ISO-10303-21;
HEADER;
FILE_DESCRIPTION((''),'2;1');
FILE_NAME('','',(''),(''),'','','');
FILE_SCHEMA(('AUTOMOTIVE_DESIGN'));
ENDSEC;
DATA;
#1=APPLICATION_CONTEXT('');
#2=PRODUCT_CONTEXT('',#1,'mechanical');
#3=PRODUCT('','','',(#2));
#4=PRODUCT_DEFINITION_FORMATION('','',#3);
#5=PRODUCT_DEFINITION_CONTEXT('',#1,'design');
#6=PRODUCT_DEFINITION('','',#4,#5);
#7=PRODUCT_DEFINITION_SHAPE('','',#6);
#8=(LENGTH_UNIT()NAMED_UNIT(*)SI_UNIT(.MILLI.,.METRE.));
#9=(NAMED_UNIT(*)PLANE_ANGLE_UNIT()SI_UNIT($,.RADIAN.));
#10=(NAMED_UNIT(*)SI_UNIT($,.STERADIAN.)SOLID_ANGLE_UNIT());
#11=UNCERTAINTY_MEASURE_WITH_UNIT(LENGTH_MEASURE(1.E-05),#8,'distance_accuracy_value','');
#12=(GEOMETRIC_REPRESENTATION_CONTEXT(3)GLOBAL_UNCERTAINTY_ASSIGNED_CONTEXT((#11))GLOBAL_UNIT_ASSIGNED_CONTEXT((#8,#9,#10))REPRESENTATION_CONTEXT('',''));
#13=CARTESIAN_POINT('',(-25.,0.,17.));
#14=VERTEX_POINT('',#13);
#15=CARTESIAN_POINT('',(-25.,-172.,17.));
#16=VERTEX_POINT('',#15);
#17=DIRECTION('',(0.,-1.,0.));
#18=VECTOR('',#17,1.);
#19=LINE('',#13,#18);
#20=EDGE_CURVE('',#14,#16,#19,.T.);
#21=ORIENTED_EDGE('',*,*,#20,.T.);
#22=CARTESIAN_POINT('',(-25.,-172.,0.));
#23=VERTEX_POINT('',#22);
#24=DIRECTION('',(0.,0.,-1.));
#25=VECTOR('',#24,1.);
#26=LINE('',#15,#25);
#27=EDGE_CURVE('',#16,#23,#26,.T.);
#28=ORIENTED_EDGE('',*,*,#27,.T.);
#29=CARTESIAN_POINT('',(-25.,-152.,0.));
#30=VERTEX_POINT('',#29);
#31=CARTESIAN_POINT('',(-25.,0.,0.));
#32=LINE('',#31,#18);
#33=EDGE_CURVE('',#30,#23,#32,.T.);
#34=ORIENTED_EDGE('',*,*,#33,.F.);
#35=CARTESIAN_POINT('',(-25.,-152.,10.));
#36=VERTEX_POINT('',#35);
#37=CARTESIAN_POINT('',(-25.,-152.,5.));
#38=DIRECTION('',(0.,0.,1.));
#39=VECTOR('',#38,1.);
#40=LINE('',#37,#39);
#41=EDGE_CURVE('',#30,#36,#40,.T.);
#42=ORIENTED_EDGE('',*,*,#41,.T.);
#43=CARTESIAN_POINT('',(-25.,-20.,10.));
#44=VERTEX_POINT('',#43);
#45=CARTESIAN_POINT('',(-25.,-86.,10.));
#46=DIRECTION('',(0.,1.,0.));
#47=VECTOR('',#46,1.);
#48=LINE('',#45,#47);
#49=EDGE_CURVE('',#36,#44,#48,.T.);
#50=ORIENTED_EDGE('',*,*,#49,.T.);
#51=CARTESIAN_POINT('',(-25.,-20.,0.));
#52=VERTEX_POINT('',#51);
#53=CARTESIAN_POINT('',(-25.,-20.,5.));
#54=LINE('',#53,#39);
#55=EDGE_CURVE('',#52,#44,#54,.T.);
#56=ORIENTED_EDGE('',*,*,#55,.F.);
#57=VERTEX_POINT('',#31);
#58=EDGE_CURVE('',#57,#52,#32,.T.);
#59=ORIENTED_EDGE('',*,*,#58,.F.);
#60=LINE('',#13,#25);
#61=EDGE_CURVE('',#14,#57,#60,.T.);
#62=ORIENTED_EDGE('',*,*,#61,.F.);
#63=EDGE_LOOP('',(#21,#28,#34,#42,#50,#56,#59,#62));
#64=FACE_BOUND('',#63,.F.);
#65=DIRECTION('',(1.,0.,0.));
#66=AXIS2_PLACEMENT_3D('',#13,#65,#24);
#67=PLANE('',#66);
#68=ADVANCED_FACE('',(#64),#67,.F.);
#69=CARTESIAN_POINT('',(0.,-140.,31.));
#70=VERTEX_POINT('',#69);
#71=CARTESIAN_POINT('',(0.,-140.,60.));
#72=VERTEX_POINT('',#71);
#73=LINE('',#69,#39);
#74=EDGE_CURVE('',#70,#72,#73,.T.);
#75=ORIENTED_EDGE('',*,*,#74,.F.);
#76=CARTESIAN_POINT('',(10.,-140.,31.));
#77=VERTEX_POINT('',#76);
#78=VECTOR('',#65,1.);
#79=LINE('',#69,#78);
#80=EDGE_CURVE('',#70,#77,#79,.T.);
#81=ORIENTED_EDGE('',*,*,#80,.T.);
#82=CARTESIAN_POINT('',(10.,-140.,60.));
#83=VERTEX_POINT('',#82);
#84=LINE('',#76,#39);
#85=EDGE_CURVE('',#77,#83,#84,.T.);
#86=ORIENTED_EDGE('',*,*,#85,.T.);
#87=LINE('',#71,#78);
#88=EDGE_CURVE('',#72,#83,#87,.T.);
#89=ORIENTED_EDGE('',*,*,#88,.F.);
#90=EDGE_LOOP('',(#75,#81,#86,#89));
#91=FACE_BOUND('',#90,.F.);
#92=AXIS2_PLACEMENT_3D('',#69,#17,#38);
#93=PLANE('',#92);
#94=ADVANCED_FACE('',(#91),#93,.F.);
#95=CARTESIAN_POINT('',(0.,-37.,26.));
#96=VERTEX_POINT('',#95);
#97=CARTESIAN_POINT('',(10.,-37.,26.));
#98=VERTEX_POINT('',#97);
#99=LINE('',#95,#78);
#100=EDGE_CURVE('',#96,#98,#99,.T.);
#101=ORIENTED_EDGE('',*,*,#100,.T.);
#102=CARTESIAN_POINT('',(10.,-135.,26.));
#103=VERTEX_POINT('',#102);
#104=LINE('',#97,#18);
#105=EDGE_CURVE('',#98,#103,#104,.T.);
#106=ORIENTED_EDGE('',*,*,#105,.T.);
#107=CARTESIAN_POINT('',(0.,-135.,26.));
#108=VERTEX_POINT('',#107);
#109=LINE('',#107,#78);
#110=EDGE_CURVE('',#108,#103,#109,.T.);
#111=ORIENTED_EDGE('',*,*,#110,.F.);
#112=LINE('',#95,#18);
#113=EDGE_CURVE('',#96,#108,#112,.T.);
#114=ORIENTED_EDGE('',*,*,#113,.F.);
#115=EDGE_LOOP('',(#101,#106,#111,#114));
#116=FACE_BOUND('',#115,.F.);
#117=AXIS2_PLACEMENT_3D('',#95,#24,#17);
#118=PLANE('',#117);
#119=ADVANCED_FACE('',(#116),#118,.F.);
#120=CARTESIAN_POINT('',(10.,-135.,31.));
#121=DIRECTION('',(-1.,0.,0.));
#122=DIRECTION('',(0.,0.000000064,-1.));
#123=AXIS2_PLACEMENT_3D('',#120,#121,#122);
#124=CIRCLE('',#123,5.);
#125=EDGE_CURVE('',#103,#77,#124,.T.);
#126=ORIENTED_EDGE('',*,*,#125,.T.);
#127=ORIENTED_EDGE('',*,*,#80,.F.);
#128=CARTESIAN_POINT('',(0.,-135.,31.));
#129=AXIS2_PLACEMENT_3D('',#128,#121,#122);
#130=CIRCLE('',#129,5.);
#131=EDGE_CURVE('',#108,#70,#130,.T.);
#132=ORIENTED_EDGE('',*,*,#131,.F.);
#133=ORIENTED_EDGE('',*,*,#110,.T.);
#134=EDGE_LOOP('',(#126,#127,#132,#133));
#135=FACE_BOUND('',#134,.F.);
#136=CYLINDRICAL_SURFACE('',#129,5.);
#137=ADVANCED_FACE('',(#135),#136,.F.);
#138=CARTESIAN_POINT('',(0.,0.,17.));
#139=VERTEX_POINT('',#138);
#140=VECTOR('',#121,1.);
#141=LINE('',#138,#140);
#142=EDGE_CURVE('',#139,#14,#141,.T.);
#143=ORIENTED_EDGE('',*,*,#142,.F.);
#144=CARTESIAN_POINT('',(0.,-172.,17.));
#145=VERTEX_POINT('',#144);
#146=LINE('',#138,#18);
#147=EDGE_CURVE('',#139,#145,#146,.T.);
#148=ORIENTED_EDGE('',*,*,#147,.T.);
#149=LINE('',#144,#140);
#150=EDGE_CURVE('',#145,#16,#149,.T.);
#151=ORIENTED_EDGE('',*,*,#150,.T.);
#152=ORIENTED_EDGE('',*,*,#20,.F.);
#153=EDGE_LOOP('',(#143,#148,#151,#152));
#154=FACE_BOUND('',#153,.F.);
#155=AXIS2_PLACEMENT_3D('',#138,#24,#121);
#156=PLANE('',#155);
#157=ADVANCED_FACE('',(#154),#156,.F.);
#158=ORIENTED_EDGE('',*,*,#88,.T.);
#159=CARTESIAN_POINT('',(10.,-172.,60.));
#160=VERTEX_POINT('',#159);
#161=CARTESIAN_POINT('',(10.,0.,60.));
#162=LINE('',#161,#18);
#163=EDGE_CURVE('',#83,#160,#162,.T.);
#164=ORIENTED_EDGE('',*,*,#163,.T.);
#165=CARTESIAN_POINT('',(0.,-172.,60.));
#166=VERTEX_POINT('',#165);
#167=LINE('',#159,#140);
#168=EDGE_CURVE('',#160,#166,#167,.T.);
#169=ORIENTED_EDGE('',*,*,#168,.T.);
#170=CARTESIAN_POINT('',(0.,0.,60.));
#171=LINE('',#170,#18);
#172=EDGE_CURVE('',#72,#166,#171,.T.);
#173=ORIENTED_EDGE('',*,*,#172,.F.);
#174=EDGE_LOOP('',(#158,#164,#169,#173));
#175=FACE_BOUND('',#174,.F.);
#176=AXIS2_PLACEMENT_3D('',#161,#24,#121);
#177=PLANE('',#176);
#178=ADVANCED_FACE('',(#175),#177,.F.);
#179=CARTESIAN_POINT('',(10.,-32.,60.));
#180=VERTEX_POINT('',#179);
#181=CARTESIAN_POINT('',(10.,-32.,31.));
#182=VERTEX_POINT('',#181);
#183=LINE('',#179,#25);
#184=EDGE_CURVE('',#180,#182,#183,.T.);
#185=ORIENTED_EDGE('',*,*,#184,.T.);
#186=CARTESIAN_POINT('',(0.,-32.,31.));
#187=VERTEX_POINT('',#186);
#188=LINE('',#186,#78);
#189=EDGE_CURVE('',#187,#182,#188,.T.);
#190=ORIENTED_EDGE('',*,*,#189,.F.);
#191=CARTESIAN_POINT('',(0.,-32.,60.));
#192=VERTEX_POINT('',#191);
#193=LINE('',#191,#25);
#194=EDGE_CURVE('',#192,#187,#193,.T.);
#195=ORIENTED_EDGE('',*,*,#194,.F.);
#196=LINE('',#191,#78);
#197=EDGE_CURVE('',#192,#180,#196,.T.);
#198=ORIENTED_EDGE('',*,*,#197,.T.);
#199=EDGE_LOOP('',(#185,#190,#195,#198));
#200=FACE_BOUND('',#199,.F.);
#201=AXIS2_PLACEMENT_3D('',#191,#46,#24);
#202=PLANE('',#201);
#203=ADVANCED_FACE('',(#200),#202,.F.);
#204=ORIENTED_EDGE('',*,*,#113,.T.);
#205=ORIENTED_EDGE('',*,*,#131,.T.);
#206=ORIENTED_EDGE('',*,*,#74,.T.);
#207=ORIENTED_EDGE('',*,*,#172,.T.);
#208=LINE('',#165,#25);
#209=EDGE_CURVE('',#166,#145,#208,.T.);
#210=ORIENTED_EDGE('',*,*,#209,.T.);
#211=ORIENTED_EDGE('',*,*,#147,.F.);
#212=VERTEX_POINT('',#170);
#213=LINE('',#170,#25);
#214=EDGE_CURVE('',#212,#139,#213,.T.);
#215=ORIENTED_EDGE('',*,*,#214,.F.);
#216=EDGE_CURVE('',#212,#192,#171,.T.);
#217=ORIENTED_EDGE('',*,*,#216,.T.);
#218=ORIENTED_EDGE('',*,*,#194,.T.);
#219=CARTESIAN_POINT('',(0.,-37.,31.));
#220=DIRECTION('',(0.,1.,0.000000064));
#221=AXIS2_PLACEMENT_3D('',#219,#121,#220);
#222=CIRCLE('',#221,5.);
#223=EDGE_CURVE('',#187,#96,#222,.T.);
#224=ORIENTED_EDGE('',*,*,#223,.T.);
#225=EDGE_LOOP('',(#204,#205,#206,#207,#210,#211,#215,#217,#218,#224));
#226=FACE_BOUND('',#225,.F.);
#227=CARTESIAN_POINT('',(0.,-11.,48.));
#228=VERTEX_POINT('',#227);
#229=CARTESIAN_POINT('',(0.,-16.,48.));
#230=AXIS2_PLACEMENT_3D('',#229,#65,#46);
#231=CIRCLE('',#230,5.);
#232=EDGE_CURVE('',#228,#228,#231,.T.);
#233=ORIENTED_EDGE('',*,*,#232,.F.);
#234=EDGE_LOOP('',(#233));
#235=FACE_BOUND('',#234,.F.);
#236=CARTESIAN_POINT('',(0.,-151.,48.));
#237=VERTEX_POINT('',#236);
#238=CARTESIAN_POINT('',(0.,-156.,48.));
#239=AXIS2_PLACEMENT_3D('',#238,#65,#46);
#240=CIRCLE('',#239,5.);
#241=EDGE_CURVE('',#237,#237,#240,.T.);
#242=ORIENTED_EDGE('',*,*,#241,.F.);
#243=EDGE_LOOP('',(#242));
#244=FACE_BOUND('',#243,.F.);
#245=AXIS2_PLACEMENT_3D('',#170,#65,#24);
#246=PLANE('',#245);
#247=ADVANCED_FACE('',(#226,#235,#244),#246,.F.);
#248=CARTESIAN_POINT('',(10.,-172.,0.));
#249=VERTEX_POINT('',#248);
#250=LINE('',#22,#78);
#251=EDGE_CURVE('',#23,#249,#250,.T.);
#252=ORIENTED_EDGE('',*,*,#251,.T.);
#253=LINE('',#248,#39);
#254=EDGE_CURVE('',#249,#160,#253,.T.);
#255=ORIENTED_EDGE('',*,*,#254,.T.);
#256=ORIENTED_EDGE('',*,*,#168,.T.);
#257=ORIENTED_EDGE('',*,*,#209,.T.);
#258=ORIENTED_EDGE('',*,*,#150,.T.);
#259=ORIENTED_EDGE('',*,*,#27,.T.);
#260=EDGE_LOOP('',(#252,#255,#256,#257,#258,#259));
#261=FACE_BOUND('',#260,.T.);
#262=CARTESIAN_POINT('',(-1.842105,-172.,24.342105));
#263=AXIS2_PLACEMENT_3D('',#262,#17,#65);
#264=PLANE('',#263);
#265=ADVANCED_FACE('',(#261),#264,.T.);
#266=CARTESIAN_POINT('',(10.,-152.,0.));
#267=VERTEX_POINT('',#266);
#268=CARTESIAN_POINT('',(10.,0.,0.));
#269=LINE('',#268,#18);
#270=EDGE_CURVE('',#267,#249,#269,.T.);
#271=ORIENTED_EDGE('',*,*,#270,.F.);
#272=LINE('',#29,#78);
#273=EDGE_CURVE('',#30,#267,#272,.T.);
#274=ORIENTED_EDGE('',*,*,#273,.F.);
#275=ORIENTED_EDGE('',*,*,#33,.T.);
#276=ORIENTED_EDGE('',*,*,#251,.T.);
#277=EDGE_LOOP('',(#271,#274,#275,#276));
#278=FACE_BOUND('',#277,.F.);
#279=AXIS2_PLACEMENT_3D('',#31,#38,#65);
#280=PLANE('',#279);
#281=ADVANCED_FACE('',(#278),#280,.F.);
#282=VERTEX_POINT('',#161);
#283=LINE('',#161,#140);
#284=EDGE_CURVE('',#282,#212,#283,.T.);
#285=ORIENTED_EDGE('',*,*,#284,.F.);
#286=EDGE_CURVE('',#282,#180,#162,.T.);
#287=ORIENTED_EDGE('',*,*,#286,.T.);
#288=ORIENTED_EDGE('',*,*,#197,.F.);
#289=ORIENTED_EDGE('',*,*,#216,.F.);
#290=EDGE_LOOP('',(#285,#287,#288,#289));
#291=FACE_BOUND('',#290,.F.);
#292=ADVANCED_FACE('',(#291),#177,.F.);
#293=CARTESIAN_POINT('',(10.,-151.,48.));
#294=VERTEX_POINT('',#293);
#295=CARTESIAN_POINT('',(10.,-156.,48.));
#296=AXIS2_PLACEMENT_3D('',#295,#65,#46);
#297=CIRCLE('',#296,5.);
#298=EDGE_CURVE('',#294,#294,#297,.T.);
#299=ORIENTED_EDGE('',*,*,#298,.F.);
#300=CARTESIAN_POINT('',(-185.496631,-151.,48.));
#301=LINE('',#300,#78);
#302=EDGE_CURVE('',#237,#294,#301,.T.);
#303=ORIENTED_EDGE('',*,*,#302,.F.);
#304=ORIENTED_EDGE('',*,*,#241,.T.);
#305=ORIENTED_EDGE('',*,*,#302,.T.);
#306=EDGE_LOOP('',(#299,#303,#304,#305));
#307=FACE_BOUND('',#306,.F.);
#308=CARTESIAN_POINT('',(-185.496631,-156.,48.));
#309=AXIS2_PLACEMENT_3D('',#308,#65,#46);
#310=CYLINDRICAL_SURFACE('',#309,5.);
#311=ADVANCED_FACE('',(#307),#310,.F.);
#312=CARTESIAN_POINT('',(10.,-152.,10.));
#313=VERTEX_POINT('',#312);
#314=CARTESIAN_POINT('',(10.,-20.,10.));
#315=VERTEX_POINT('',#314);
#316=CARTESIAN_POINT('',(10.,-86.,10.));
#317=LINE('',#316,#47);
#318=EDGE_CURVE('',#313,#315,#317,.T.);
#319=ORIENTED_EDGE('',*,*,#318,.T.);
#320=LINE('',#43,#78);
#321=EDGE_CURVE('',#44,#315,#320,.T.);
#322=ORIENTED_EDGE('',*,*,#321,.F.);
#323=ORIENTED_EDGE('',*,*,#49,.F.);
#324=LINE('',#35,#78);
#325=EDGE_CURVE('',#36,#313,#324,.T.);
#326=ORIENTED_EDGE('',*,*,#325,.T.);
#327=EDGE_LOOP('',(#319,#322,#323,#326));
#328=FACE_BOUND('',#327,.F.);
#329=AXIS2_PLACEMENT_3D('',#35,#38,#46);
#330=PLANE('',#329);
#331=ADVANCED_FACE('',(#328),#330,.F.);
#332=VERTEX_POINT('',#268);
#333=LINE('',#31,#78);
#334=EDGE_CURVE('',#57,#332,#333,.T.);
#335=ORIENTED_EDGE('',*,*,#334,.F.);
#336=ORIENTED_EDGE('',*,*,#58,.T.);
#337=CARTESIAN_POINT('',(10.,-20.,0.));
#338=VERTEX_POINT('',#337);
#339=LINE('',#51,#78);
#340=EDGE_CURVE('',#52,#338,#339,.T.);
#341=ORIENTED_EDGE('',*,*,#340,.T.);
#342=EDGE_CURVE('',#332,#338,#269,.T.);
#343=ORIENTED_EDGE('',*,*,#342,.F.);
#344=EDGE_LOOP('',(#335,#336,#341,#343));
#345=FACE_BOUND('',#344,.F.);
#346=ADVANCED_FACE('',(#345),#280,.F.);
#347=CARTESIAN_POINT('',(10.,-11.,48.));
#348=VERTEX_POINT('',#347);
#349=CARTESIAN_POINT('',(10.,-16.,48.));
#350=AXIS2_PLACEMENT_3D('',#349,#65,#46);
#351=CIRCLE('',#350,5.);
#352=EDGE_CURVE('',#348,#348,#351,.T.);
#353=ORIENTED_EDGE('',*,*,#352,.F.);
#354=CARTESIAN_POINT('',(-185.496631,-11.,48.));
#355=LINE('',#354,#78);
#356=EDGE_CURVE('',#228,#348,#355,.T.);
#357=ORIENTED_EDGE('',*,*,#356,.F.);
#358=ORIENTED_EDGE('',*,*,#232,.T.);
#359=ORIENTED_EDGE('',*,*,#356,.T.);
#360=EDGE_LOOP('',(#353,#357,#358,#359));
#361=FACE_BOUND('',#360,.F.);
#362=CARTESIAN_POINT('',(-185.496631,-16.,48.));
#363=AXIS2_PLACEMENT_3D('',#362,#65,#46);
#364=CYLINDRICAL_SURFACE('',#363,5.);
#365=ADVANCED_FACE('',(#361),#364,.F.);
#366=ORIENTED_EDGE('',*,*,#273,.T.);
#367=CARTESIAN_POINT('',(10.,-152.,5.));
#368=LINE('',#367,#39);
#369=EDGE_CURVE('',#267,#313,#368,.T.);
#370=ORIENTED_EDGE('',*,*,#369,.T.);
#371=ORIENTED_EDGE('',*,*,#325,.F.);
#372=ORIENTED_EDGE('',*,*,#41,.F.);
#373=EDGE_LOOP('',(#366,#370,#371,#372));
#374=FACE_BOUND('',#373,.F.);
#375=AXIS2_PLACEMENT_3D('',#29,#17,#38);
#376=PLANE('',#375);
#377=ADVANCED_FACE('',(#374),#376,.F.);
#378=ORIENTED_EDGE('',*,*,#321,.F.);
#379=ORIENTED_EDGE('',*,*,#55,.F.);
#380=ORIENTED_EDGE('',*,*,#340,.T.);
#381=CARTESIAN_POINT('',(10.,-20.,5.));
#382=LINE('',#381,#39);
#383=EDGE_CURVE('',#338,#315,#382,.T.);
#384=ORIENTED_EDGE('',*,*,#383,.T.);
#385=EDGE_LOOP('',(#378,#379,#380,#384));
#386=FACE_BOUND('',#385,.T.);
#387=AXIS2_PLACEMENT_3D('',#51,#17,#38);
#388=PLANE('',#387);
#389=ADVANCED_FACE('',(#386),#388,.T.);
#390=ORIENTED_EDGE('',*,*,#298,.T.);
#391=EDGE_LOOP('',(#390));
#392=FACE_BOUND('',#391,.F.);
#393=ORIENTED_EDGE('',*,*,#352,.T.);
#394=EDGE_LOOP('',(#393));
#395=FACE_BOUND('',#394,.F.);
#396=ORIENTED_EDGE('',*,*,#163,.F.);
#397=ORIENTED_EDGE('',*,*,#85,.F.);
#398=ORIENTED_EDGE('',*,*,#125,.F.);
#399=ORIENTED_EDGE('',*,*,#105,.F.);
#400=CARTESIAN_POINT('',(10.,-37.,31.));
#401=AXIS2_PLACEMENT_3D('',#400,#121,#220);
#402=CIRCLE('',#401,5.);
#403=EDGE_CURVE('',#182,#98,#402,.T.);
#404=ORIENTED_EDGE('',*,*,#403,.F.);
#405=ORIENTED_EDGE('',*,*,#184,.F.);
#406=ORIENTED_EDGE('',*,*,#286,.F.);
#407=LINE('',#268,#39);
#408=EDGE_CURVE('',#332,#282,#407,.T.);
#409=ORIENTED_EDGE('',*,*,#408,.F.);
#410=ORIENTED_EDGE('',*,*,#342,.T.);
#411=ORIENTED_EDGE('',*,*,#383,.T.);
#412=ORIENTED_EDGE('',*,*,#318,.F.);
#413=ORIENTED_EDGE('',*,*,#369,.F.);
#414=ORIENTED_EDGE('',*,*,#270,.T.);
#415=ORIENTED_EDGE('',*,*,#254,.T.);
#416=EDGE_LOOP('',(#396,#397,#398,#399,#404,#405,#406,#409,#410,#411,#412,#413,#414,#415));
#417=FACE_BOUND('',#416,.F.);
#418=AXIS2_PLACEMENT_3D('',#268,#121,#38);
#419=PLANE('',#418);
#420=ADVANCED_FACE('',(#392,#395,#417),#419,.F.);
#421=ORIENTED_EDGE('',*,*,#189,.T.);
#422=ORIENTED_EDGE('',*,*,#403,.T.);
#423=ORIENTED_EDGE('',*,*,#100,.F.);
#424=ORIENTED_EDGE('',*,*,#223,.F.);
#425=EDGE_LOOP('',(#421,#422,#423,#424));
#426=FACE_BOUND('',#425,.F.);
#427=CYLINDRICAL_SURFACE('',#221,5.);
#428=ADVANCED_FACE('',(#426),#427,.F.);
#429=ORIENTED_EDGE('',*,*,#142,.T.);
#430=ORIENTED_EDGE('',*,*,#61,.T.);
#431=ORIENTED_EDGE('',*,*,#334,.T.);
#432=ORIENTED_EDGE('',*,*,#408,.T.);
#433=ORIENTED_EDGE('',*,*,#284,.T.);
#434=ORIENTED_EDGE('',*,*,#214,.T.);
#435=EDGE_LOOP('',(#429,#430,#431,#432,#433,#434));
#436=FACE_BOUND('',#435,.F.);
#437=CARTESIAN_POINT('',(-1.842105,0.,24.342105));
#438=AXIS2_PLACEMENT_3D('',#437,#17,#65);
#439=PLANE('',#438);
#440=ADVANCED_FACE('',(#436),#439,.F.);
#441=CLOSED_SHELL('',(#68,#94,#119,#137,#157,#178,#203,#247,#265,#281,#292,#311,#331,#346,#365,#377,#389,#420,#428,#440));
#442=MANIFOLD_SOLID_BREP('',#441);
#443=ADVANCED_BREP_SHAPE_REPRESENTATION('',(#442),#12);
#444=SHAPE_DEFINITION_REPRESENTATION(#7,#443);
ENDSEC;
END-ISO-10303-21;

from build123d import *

# Parameters (mm, degrees)
F1_DEPTH = 172
F3_DEPTH = 10
F5_W     = 132
F5_H     = 10
F6_DEPTH = 35
F8_D     = 10


with BuildPart() as f1:
    # F0 (on Front) → F1 (new body)
    with BuildSketch(Plane.XZ):
        Polygon((-25, 0), (0, 0), (10, 0), (10, 17), (10, 60), (0, 60), (0, 17), (-25, 17), align=None)
    extrude(amount=F1_DEPTH)

    # F2 (on face) → F3 (cut)
    with BuildSketch(Plane(origin=(0, 0, 0), x_dir=(0, -1, 0), z_dir=(-1, 0, 0))):
        with BuildLine():
            Line((140, 31), (140, 60))
            Line((140, 60), (32, 60))
            Line((32, 60), (32, 31))
            ThreePointArc((32, 31), (33.464466, 27.464466), (37, 26))
            Line((37, 26), (135, 26))
            ThreePointArc((135, 26), (138.535534, 27.464466), (140, 31))
        make_face()
    extrude(amount=-F3_DEPTH, mode=Mode.SUBTRACT)

    # F5 (on offset) → F6 (cut)
    with BuildSketch(Plane.YZ.offset(-25)):
        with Locations((-86, 5)):
            Rectangle(F5_W, F5_H)
    extrude(amount=F6_DEPTH, mode=Mode.SUBTRACT)

    # F8 (through all)
    with Locations(Plane(origin=(0, 0, 0), x_dir=(0, -1, 0), z_dir=(-1, 0, 0))):
        with Locations((16, 48), (156, 48)):
            Hole(F8_D / 2)


solid = f1.part
